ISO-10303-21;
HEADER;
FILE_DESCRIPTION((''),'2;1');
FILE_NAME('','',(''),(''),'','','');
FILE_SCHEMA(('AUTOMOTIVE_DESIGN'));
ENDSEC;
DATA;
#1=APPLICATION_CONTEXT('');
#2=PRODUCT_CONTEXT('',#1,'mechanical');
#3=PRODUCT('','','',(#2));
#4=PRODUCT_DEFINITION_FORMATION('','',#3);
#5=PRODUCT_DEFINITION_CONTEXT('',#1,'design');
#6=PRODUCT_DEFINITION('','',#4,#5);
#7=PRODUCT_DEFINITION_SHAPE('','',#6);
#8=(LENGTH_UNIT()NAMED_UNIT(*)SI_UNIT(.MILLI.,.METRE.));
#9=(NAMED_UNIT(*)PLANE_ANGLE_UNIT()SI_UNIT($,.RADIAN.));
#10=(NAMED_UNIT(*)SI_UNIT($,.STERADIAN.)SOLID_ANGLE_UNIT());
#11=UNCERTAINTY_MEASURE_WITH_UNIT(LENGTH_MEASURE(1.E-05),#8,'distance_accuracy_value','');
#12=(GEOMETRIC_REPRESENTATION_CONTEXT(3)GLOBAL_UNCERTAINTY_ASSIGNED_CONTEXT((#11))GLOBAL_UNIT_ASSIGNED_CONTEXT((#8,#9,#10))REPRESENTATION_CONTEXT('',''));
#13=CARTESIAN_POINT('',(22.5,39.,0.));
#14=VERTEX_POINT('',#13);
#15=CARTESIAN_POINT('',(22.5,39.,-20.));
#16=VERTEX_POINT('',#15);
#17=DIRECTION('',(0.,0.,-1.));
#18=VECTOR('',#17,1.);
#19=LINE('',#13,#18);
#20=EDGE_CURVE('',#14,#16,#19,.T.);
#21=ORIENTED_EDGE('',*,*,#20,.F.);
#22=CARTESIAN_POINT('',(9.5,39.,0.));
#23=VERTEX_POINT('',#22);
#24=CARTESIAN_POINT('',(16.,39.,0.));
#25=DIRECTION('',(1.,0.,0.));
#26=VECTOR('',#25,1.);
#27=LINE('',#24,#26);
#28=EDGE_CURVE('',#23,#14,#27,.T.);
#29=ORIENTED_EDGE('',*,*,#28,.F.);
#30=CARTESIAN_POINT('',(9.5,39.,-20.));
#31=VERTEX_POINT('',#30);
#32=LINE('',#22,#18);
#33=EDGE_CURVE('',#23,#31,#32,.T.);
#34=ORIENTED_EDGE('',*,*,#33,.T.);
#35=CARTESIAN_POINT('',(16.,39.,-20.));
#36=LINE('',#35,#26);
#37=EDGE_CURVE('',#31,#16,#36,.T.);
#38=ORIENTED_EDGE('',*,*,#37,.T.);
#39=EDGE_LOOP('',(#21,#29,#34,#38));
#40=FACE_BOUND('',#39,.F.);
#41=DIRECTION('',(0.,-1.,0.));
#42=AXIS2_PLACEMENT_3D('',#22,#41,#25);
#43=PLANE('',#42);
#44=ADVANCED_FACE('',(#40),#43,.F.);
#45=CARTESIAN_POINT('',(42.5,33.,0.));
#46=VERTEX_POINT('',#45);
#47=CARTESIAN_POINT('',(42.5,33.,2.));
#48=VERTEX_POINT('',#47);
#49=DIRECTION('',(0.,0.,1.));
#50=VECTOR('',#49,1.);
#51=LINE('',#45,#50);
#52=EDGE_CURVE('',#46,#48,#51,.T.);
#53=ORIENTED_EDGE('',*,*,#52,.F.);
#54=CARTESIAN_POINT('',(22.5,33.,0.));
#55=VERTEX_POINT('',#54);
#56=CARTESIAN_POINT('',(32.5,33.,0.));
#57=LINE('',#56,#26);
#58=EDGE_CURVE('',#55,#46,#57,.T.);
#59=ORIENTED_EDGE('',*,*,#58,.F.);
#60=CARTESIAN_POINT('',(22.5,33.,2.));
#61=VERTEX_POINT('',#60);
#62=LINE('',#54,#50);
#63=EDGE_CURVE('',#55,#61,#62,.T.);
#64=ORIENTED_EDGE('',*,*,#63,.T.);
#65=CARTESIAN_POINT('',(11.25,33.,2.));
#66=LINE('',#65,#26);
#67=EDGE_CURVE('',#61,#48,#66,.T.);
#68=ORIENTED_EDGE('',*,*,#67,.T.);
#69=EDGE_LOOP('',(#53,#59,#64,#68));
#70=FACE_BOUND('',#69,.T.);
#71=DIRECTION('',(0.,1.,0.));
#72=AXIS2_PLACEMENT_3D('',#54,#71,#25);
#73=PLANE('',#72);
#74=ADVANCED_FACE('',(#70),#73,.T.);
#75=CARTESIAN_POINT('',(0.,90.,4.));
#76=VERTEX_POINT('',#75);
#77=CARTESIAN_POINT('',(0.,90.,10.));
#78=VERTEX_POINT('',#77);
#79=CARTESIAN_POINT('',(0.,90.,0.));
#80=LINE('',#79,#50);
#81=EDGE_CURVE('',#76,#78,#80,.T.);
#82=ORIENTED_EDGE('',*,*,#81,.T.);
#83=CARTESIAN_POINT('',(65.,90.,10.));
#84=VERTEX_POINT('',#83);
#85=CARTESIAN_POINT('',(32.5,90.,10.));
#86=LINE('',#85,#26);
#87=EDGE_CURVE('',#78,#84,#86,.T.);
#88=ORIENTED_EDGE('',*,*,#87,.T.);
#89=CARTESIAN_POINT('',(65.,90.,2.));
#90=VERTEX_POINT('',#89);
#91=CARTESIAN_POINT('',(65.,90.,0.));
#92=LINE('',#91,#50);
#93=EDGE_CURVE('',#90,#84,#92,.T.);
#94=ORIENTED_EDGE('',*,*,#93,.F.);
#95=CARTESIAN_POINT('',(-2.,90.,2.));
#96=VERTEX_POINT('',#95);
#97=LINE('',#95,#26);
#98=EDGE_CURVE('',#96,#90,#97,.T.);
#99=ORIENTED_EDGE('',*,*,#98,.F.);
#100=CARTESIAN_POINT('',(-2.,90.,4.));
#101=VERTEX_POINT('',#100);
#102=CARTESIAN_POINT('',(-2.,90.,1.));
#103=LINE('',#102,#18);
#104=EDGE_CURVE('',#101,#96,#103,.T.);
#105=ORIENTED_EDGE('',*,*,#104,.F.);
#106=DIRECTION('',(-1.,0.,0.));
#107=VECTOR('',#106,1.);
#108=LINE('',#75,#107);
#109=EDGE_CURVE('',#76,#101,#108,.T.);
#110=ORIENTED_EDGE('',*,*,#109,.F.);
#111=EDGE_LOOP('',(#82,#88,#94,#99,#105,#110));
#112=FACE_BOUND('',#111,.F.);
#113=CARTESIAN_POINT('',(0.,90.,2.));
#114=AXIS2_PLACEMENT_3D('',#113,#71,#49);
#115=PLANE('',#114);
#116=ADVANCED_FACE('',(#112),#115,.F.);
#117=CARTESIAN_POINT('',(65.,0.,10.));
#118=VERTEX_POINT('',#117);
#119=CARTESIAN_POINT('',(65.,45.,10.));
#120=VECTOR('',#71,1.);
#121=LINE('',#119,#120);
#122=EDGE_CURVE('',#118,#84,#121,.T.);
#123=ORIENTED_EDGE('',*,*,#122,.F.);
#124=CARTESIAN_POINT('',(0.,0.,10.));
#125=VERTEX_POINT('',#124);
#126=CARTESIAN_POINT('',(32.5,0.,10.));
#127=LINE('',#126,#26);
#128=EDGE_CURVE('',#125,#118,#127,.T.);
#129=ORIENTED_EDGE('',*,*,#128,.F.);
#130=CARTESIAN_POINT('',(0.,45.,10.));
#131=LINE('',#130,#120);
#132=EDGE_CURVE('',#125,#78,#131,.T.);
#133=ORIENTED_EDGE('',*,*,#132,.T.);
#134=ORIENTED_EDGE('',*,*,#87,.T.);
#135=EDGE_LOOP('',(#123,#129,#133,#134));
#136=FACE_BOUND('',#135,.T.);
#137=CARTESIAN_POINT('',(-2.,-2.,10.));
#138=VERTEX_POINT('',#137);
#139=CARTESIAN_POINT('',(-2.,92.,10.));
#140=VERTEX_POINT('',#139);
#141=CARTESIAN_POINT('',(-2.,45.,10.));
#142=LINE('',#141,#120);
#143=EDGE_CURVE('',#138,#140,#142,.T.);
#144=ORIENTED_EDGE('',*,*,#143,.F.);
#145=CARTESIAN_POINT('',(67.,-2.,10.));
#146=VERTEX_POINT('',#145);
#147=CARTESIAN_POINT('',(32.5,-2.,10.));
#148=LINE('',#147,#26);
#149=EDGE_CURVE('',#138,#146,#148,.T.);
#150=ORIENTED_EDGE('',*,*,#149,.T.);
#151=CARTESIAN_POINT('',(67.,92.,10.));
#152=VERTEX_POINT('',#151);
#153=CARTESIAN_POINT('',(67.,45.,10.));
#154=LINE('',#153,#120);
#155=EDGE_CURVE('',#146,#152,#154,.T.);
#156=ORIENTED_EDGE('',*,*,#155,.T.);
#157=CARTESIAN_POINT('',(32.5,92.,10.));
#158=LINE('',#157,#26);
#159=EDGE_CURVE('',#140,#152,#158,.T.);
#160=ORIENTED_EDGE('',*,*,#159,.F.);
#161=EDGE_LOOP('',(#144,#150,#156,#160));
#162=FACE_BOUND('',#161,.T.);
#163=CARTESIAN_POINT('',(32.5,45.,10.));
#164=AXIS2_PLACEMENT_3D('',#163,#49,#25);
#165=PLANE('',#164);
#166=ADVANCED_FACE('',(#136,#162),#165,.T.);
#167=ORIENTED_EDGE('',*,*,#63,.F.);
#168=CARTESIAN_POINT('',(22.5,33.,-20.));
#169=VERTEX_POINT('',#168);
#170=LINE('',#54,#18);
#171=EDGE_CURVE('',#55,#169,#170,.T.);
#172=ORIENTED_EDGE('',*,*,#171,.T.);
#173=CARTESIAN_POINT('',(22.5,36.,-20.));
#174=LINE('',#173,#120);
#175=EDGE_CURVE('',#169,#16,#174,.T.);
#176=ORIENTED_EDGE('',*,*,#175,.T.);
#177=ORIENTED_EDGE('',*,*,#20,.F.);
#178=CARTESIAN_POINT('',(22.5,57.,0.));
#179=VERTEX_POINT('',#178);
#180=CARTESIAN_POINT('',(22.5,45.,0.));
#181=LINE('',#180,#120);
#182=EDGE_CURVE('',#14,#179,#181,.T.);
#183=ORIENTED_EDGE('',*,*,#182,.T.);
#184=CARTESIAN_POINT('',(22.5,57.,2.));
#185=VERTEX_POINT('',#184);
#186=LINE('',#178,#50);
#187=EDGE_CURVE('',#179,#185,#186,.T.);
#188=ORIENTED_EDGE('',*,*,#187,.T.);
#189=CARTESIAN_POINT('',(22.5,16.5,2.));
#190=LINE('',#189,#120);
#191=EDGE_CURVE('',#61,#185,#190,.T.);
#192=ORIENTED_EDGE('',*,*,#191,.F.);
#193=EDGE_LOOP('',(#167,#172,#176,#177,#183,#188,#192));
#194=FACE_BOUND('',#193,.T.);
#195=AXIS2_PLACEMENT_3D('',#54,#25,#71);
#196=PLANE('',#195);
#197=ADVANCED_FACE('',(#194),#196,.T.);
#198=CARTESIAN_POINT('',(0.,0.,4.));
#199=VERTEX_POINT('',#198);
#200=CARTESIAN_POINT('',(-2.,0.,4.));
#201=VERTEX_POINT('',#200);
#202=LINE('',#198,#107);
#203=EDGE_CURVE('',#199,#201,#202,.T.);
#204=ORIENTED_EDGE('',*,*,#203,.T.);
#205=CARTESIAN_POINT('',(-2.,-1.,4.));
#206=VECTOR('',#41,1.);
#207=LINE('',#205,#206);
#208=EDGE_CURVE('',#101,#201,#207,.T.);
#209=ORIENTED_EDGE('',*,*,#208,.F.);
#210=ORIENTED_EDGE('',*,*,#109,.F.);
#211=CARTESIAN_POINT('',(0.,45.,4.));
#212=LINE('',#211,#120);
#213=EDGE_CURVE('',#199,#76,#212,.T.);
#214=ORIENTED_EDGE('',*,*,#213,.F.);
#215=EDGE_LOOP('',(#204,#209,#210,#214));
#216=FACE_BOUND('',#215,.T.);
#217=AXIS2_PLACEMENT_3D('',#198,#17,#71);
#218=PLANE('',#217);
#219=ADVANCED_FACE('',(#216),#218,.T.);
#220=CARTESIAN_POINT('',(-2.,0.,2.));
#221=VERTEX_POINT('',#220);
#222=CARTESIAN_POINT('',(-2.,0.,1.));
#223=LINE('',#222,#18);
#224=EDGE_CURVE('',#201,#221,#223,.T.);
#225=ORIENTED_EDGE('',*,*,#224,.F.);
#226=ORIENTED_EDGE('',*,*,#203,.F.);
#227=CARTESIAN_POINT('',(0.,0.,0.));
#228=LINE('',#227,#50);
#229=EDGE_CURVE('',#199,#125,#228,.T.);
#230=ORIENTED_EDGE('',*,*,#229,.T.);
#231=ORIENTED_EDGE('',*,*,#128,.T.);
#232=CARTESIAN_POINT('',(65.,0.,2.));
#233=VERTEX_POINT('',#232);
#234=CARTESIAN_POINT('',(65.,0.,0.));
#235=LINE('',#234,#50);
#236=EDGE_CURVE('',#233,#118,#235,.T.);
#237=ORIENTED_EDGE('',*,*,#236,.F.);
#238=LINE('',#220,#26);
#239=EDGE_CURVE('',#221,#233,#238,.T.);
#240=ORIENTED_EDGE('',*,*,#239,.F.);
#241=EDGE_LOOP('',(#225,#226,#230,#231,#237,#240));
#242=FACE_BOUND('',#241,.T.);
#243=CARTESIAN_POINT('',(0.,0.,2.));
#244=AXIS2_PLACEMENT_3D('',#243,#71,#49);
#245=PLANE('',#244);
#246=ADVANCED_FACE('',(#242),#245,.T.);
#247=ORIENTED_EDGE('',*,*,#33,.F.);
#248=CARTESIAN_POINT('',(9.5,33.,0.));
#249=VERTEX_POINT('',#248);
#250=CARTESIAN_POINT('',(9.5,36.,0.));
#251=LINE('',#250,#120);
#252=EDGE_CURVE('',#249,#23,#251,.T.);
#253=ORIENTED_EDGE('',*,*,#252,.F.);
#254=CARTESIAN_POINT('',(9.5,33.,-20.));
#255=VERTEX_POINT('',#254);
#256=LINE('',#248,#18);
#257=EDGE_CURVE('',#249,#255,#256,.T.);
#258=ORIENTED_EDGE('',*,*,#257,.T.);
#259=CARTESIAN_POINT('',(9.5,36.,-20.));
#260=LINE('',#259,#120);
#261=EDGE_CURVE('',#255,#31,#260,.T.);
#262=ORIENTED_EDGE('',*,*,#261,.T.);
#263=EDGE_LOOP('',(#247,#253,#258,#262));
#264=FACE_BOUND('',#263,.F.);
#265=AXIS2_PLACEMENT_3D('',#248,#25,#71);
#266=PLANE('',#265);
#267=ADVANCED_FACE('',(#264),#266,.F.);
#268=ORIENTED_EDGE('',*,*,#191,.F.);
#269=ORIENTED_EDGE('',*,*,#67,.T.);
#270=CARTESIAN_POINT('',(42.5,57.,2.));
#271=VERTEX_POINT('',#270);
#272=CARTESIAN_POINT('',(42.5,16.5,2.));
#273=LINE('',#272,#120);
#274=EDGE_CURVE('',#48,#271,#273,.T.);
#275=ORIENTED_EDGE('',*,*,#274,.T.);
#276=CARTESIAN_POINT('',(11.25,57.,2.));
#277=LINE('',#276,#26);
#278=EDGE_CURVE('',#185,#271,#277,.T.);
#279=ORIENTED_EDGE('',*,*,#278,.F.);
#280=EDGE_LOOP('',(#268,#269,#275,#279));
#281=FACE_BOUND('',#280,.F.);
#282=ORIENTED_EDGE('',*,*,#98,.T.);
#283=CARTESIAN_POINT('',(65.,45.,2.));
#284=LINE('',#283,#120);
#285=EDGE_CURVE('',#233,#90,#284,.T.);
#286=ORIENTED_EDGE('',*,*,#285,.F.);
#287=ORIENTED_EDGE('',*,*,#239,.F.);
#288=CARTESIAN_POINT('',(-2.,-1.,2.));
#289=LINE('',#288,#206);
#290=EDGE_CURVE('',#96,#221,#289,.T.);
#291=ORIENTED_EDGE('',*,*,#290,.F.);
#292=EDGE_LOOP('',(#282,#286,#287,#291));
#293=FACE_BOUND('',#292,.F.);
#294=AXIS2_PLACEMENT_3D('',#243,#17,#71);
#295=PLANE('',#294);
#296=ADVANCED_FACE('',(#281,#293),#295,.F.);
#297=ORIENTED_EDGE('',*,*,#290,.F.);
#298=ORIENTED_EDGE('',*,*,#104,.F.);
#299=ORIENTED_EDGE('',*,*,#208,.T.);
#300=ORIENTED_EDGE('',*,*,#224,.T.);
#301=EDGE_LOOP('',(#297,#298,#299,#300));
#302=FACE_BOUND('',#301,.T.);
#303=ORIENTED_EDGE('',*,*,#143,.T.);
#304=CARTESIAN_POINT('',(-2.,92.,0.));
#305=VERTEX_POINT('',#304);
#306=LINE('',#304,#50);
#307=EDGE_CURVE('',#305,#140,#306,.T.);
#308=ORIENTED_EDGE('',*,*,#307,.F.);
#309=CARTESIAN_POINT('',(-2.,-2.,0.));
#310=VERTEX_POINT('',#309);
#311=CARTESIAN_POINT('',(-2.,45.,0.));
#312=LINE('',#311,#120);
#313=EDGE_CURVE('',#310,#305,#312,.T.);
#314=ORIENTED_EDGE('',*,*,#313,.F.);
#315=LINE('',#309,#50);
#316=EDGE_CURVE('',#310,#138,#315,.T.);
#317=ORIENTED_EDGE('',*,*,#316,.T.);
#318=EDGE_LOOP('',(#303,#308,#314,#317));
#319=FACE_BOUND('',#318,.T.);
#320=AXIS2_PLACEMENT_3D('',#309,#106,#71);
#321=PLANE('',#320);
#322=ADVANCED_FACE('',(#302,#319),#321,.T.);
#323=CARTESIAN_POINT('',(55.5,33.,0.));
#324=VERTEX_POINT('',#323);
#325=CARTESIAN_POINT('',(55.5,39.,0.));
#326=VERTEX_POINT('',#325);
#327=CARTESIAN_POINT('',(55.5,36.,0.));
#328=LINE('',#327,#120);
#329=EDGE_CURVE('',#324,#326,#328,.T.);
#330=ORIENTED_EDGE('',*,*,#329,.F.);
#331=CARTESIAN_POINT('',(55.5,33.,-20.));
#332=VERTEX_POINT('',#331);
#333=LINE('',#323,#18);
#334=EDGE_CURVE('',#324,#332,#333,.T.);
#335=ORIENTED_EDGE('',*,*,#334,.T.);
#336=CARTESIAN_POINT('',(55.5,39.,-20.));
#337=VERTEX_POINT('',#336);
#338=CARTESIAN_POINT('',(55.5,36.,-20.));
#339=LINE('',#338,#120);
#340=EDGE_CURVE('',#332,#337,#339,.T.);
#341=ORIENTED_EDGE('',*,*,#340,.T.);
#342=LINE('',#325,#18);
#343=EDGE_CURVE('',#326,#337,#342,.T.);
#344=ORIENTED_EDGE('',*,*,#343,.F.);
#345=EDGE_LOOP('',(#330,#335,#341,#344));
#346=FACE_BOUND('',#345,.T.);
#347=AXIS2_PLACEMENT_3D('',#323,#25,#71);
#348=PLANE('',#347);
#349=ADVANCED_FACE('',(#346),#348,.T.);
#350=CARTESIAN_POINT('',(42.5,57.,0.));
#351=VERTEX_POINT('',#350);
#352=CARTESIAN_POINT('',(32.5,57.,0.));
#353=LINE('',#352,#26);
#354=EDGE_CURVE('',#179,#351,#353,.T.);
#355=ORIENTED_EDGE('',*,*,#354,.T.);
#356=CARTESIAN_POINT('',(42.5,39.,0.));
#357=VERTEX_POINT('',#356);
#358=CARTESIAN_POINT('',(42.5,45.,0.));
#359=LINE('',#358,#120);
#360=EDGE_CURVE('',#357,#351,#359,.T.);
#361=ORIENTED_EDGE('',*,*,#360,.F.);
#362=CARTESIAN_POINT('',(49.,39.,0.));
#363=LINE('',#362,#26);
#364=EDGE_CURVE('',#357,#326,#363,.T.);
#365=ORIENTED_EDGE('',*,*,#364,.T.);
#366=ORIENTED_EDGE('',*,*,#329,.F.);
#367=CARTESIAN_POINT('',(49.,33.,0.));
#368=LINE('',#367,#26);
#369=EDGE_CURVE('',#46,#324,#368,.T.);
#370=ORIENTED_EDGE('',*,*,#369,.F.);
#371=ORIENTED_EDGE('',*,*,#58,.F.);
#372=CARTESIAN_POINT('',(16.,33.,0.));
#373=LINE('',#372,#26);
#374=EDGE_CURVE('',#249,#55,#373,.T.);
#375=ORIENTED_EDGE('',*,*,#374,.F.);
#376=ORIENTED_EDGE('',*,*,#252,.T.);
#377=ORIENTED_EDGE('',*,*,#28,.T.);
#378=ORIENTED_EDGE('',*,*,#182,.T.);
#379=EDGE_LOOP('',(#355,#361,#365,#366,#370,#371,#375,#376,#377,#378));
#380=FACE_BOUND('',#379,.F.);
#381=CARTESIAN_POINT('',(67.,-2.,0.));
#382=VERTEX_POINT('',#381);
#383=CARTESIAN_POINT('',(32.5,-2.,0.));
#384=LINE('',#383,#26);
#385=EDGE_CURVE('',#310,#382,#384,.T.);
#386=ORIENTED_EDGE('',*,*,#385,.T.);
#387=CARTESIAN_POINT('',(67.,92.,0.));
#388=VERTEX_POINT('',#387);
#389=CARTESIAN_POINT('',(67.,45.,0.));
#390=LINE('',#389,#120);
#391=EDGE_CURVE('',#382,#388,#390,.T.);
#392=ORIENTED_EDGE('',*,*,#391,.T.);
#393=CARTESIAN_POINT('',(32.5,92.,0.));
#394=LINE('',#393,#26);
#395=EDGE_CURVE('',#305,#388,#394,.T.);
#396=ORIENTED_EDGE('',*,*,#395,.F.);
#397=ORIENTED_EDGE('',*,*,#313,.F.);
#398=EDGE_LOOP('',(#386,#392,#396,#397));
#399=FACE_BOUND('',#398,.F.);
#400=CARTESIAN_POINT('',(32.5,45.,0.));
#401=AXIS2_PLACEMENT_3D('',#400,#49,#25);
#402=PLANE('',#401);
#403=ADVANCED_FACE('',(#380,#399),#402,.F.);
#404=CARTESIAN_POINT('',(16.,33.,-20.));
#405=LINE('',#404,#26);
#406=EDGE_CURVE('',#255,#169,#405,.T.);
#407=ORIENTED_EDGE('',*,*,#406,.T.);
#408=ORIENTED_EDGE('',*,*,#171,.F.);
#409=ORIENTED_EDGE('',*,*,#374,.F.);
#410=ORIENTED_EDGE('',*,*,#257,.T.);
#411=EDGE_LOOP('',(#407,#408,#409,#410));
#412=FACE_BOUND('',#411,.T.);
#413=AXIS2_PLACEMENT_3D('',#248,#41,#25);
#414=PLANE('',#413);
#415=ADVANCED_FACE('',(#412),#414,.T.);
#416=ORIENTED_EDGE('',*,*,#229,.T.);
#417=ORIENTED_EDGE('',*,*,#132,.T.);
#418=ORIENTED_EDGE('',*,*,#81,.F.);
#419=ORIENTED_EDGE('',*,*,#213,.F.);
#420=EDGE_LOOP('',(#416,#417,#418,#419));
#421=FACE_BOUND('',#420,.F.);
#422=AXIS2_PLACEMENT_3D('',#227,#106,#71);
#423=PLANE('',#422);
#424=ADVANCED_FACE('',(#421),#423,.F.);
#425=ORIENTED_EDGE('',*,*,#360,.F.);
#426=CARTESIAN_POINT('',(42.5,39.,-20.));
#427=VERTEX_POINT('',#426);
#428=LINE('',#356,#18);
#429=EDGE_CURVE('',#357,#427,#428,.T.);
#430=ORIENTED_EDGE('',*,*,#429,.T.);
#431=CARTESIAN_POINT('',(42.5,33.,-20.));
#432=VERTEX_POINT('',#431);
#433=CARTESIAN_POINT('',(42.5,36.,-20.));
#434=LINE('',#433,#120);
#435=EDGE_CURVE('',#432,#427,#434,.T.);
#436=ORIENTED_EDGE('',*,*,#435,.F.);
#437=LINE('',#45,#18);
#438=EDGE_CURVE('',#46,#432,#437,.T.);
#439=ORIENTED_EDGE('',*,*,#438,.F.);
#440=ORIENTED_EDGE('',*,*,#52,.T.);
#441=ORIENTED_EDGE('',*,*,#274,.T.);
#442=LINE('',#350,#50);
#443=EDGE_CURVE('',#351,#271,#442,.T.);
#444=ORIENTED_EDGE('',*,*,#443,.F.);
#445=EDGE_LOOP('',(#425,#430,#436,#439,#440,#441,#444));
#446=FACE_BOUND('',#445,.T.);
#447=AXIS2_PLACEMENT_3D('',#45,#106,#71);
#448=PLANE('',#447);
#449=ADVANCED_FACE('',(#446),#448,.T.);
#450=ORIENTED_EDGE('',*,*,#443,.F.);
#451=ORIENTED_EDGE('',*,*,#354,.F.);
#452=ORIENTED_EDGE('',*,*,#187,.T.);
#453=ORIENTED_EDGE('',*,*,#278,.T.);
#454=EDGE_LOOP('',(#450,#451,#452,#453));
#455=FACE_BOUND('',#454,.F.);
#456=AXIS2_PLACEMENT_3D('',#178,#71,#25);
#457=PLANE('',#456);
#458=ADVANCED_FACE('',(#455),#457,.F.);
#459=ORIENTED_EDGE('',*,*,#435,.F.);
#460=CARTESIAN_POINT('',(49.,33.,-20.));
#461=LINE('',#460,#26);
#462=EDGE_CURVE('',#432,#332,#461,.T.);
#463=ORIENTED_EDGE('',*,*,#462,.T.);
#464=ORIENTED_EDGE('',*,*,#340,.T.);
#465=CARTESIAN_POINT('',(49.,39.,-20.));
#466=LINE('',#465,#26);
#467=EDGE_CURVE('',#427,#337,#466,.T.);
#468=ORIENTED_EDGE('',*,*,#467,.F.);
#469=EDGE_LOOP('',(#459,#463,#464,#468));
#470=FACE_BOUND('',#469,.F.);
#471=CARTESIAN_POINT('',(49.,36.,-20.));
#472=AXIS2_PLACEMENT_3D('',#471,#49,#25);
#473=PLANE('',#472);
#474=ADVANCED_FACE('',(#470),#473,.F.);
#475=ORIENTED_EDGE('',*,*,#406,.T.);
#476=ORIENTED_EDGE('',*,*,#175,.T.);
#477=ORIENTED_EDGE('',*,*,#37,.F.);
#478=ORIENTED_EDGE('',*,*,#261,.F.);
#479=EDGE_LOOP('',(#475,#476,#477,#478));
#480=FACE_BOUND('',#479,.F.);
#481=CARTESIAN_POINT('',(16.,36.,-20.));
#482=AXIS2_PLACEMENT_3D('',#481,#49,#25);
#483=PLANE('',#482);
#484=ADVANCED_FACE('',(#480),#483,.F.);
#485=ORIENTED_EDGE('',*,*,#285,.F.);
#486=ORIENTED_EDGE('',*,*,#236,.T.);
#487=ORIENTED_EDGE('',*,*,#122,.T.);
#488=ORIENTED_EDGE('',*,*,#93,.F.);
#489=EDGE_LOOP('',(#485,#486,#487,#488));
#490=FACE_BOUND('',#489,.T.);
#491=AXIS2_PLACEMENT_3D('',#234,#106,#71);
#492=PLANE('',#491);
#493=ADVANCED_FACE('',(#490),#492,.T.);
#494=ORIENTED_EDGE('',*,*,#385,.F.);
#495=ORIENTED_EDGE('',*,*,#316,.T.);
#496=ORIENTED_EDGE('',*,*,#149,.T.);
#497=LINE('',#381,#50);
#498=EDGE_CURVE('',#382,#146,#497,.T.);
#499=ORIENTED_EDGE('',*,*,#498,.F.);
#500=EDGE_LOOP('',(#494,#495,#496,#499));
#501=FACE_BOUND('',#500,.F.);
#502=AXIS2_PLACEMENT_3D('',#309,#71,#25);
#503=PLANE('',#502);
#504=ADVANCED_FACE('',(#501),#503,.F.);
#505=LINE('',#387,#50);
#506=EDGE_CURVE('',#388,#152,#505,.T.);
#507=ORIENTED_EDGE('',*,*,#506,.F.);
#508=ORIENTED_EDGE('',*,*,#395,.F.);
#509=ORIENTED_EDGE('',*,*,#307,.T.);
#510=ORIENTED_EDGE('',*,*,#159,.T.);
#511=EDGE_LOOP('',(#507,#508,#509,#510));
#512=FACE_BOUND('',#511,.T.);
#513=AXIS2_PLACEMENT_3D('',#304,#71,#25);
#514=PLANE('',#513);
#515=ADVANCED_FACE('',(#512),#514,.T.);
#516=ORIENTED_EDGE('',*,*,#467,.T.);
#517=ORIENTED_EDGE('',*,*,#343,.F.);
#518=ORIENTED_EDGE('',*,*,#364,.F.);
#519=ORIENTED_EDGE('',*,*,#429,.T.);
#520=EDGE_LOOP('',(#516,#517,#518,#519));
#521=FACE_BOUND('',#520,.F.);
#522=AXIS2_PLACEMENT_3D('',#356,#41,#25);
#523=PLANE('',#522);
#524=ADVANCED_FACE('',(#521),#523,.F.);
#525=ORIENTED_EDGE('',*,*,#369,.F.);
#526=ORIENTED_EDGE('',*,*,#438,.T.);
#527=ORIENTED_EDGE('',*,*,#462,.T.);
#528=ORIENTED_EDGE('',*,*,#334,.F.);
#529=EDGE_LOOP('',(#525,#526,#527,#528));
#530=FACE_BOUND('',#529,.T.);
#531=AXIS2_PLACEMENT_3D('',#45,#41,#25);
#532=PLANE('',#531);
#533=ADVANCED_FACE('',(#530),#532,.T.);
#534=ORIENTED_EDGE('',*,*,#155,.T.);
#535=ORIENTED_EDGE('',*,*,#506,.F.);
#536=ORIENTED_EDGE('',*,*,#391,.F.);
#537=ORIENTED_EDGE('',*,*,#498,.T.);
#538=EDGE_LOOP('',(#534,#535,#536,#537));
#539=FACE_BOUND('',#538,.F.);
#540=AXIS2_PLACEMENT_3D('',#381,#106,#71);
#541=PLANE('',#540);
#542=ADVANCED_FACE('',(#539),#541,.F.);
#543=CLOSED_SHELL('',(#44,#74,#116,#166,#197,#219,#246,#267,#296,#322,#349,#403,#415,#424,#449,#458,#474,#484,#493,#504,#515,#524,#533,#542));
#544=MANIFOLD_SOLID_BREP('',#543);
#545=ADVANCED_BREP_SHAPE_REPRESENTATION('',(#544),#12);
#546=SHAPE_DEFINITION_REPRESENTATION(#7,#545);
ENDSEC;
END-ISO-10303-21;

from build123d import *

# Parameters (mm, degrees)
SKETCH_W             = 69
SKETCH_H             = 94
SKETCH_W_2           = 65
SKETCH_H_2           = 90
PAD_DEPTH            = 10
SKETCH001_W          = 65
SKETCH001_H          = 90
PAD001_DEPTH         = 2
SKETCH002_W          = 90
SKETCH002_H          = 2
POCKET_DEPTH         = 2.001
SKETCH003_W          = 20
SKETCH003_H          = 24
POCKET001_DEPTH      = 0.001
POCKET001_DEPTH_BACK = -10.001
SKETCH004_W          = 13
SKETCH004_H          = 6
PAD002_DEPTH         = 20


with BuildPart() as part:
    # Sketch → Pad (new body)
    with BuildSketch(Plane.XY):
        with Locations((32.5, 45)):
            Rectangle(SKETCH_W, SKETCH_H)
        with Locations((32.5, 45)):
            Rectangle(SKETCH_W_2, SKETCH_H_2, mode=Mode.SUBTRACT)
    extrude(amount=PAD_DEPTH)

    # Sketch001 → Pad001 (join)
    with BuildSketch(Plane.XY):
        with Locations((32.5, 45)):
            Rectangle(SKETCH001_W, SKETCH001_H)
    extrude(amount=PAD001_DEPTH)

    # Sketch002 → Pocket (cut, through all)
    with BuildSketch(Plane.YZ):
        with Locations((45, 3)):
            Rectangle(SKETCH002_W, SKETCH002_H)
    extrude(amount=-POCKET_DEPTH, mode=Mode.SUBTRACT)

    # Sketch003 → Pocket001 (cut, two sides)
    with BuildSketch(Plane.XY) as pocket001_sk:
        with Locations((32.5, 45)):
            Rectangle(SKETCH003_W, SKETCH003_H)
    extrude(amount=-POCKET001_DEPTH, mode=Mode.SUBTRACT)
    extrude(pocket001_sk.sketch, amount=-POCKET001_DEPTH_BACK, mode=Mode.SUBTRACT)

    # Sketch004 → Pad002 (join)
    with BuildSketch(Plane.XY):
        with Locations((16, 36)):
            Rectangle(SKETCH004_W, SKETCH004_H)
        with Locations((49, 36)):
            Rectangle(SKETCH004_W, SKETCH004_H)
    extrude(amount=-PAD002_DEPTH)


solid = part.part
